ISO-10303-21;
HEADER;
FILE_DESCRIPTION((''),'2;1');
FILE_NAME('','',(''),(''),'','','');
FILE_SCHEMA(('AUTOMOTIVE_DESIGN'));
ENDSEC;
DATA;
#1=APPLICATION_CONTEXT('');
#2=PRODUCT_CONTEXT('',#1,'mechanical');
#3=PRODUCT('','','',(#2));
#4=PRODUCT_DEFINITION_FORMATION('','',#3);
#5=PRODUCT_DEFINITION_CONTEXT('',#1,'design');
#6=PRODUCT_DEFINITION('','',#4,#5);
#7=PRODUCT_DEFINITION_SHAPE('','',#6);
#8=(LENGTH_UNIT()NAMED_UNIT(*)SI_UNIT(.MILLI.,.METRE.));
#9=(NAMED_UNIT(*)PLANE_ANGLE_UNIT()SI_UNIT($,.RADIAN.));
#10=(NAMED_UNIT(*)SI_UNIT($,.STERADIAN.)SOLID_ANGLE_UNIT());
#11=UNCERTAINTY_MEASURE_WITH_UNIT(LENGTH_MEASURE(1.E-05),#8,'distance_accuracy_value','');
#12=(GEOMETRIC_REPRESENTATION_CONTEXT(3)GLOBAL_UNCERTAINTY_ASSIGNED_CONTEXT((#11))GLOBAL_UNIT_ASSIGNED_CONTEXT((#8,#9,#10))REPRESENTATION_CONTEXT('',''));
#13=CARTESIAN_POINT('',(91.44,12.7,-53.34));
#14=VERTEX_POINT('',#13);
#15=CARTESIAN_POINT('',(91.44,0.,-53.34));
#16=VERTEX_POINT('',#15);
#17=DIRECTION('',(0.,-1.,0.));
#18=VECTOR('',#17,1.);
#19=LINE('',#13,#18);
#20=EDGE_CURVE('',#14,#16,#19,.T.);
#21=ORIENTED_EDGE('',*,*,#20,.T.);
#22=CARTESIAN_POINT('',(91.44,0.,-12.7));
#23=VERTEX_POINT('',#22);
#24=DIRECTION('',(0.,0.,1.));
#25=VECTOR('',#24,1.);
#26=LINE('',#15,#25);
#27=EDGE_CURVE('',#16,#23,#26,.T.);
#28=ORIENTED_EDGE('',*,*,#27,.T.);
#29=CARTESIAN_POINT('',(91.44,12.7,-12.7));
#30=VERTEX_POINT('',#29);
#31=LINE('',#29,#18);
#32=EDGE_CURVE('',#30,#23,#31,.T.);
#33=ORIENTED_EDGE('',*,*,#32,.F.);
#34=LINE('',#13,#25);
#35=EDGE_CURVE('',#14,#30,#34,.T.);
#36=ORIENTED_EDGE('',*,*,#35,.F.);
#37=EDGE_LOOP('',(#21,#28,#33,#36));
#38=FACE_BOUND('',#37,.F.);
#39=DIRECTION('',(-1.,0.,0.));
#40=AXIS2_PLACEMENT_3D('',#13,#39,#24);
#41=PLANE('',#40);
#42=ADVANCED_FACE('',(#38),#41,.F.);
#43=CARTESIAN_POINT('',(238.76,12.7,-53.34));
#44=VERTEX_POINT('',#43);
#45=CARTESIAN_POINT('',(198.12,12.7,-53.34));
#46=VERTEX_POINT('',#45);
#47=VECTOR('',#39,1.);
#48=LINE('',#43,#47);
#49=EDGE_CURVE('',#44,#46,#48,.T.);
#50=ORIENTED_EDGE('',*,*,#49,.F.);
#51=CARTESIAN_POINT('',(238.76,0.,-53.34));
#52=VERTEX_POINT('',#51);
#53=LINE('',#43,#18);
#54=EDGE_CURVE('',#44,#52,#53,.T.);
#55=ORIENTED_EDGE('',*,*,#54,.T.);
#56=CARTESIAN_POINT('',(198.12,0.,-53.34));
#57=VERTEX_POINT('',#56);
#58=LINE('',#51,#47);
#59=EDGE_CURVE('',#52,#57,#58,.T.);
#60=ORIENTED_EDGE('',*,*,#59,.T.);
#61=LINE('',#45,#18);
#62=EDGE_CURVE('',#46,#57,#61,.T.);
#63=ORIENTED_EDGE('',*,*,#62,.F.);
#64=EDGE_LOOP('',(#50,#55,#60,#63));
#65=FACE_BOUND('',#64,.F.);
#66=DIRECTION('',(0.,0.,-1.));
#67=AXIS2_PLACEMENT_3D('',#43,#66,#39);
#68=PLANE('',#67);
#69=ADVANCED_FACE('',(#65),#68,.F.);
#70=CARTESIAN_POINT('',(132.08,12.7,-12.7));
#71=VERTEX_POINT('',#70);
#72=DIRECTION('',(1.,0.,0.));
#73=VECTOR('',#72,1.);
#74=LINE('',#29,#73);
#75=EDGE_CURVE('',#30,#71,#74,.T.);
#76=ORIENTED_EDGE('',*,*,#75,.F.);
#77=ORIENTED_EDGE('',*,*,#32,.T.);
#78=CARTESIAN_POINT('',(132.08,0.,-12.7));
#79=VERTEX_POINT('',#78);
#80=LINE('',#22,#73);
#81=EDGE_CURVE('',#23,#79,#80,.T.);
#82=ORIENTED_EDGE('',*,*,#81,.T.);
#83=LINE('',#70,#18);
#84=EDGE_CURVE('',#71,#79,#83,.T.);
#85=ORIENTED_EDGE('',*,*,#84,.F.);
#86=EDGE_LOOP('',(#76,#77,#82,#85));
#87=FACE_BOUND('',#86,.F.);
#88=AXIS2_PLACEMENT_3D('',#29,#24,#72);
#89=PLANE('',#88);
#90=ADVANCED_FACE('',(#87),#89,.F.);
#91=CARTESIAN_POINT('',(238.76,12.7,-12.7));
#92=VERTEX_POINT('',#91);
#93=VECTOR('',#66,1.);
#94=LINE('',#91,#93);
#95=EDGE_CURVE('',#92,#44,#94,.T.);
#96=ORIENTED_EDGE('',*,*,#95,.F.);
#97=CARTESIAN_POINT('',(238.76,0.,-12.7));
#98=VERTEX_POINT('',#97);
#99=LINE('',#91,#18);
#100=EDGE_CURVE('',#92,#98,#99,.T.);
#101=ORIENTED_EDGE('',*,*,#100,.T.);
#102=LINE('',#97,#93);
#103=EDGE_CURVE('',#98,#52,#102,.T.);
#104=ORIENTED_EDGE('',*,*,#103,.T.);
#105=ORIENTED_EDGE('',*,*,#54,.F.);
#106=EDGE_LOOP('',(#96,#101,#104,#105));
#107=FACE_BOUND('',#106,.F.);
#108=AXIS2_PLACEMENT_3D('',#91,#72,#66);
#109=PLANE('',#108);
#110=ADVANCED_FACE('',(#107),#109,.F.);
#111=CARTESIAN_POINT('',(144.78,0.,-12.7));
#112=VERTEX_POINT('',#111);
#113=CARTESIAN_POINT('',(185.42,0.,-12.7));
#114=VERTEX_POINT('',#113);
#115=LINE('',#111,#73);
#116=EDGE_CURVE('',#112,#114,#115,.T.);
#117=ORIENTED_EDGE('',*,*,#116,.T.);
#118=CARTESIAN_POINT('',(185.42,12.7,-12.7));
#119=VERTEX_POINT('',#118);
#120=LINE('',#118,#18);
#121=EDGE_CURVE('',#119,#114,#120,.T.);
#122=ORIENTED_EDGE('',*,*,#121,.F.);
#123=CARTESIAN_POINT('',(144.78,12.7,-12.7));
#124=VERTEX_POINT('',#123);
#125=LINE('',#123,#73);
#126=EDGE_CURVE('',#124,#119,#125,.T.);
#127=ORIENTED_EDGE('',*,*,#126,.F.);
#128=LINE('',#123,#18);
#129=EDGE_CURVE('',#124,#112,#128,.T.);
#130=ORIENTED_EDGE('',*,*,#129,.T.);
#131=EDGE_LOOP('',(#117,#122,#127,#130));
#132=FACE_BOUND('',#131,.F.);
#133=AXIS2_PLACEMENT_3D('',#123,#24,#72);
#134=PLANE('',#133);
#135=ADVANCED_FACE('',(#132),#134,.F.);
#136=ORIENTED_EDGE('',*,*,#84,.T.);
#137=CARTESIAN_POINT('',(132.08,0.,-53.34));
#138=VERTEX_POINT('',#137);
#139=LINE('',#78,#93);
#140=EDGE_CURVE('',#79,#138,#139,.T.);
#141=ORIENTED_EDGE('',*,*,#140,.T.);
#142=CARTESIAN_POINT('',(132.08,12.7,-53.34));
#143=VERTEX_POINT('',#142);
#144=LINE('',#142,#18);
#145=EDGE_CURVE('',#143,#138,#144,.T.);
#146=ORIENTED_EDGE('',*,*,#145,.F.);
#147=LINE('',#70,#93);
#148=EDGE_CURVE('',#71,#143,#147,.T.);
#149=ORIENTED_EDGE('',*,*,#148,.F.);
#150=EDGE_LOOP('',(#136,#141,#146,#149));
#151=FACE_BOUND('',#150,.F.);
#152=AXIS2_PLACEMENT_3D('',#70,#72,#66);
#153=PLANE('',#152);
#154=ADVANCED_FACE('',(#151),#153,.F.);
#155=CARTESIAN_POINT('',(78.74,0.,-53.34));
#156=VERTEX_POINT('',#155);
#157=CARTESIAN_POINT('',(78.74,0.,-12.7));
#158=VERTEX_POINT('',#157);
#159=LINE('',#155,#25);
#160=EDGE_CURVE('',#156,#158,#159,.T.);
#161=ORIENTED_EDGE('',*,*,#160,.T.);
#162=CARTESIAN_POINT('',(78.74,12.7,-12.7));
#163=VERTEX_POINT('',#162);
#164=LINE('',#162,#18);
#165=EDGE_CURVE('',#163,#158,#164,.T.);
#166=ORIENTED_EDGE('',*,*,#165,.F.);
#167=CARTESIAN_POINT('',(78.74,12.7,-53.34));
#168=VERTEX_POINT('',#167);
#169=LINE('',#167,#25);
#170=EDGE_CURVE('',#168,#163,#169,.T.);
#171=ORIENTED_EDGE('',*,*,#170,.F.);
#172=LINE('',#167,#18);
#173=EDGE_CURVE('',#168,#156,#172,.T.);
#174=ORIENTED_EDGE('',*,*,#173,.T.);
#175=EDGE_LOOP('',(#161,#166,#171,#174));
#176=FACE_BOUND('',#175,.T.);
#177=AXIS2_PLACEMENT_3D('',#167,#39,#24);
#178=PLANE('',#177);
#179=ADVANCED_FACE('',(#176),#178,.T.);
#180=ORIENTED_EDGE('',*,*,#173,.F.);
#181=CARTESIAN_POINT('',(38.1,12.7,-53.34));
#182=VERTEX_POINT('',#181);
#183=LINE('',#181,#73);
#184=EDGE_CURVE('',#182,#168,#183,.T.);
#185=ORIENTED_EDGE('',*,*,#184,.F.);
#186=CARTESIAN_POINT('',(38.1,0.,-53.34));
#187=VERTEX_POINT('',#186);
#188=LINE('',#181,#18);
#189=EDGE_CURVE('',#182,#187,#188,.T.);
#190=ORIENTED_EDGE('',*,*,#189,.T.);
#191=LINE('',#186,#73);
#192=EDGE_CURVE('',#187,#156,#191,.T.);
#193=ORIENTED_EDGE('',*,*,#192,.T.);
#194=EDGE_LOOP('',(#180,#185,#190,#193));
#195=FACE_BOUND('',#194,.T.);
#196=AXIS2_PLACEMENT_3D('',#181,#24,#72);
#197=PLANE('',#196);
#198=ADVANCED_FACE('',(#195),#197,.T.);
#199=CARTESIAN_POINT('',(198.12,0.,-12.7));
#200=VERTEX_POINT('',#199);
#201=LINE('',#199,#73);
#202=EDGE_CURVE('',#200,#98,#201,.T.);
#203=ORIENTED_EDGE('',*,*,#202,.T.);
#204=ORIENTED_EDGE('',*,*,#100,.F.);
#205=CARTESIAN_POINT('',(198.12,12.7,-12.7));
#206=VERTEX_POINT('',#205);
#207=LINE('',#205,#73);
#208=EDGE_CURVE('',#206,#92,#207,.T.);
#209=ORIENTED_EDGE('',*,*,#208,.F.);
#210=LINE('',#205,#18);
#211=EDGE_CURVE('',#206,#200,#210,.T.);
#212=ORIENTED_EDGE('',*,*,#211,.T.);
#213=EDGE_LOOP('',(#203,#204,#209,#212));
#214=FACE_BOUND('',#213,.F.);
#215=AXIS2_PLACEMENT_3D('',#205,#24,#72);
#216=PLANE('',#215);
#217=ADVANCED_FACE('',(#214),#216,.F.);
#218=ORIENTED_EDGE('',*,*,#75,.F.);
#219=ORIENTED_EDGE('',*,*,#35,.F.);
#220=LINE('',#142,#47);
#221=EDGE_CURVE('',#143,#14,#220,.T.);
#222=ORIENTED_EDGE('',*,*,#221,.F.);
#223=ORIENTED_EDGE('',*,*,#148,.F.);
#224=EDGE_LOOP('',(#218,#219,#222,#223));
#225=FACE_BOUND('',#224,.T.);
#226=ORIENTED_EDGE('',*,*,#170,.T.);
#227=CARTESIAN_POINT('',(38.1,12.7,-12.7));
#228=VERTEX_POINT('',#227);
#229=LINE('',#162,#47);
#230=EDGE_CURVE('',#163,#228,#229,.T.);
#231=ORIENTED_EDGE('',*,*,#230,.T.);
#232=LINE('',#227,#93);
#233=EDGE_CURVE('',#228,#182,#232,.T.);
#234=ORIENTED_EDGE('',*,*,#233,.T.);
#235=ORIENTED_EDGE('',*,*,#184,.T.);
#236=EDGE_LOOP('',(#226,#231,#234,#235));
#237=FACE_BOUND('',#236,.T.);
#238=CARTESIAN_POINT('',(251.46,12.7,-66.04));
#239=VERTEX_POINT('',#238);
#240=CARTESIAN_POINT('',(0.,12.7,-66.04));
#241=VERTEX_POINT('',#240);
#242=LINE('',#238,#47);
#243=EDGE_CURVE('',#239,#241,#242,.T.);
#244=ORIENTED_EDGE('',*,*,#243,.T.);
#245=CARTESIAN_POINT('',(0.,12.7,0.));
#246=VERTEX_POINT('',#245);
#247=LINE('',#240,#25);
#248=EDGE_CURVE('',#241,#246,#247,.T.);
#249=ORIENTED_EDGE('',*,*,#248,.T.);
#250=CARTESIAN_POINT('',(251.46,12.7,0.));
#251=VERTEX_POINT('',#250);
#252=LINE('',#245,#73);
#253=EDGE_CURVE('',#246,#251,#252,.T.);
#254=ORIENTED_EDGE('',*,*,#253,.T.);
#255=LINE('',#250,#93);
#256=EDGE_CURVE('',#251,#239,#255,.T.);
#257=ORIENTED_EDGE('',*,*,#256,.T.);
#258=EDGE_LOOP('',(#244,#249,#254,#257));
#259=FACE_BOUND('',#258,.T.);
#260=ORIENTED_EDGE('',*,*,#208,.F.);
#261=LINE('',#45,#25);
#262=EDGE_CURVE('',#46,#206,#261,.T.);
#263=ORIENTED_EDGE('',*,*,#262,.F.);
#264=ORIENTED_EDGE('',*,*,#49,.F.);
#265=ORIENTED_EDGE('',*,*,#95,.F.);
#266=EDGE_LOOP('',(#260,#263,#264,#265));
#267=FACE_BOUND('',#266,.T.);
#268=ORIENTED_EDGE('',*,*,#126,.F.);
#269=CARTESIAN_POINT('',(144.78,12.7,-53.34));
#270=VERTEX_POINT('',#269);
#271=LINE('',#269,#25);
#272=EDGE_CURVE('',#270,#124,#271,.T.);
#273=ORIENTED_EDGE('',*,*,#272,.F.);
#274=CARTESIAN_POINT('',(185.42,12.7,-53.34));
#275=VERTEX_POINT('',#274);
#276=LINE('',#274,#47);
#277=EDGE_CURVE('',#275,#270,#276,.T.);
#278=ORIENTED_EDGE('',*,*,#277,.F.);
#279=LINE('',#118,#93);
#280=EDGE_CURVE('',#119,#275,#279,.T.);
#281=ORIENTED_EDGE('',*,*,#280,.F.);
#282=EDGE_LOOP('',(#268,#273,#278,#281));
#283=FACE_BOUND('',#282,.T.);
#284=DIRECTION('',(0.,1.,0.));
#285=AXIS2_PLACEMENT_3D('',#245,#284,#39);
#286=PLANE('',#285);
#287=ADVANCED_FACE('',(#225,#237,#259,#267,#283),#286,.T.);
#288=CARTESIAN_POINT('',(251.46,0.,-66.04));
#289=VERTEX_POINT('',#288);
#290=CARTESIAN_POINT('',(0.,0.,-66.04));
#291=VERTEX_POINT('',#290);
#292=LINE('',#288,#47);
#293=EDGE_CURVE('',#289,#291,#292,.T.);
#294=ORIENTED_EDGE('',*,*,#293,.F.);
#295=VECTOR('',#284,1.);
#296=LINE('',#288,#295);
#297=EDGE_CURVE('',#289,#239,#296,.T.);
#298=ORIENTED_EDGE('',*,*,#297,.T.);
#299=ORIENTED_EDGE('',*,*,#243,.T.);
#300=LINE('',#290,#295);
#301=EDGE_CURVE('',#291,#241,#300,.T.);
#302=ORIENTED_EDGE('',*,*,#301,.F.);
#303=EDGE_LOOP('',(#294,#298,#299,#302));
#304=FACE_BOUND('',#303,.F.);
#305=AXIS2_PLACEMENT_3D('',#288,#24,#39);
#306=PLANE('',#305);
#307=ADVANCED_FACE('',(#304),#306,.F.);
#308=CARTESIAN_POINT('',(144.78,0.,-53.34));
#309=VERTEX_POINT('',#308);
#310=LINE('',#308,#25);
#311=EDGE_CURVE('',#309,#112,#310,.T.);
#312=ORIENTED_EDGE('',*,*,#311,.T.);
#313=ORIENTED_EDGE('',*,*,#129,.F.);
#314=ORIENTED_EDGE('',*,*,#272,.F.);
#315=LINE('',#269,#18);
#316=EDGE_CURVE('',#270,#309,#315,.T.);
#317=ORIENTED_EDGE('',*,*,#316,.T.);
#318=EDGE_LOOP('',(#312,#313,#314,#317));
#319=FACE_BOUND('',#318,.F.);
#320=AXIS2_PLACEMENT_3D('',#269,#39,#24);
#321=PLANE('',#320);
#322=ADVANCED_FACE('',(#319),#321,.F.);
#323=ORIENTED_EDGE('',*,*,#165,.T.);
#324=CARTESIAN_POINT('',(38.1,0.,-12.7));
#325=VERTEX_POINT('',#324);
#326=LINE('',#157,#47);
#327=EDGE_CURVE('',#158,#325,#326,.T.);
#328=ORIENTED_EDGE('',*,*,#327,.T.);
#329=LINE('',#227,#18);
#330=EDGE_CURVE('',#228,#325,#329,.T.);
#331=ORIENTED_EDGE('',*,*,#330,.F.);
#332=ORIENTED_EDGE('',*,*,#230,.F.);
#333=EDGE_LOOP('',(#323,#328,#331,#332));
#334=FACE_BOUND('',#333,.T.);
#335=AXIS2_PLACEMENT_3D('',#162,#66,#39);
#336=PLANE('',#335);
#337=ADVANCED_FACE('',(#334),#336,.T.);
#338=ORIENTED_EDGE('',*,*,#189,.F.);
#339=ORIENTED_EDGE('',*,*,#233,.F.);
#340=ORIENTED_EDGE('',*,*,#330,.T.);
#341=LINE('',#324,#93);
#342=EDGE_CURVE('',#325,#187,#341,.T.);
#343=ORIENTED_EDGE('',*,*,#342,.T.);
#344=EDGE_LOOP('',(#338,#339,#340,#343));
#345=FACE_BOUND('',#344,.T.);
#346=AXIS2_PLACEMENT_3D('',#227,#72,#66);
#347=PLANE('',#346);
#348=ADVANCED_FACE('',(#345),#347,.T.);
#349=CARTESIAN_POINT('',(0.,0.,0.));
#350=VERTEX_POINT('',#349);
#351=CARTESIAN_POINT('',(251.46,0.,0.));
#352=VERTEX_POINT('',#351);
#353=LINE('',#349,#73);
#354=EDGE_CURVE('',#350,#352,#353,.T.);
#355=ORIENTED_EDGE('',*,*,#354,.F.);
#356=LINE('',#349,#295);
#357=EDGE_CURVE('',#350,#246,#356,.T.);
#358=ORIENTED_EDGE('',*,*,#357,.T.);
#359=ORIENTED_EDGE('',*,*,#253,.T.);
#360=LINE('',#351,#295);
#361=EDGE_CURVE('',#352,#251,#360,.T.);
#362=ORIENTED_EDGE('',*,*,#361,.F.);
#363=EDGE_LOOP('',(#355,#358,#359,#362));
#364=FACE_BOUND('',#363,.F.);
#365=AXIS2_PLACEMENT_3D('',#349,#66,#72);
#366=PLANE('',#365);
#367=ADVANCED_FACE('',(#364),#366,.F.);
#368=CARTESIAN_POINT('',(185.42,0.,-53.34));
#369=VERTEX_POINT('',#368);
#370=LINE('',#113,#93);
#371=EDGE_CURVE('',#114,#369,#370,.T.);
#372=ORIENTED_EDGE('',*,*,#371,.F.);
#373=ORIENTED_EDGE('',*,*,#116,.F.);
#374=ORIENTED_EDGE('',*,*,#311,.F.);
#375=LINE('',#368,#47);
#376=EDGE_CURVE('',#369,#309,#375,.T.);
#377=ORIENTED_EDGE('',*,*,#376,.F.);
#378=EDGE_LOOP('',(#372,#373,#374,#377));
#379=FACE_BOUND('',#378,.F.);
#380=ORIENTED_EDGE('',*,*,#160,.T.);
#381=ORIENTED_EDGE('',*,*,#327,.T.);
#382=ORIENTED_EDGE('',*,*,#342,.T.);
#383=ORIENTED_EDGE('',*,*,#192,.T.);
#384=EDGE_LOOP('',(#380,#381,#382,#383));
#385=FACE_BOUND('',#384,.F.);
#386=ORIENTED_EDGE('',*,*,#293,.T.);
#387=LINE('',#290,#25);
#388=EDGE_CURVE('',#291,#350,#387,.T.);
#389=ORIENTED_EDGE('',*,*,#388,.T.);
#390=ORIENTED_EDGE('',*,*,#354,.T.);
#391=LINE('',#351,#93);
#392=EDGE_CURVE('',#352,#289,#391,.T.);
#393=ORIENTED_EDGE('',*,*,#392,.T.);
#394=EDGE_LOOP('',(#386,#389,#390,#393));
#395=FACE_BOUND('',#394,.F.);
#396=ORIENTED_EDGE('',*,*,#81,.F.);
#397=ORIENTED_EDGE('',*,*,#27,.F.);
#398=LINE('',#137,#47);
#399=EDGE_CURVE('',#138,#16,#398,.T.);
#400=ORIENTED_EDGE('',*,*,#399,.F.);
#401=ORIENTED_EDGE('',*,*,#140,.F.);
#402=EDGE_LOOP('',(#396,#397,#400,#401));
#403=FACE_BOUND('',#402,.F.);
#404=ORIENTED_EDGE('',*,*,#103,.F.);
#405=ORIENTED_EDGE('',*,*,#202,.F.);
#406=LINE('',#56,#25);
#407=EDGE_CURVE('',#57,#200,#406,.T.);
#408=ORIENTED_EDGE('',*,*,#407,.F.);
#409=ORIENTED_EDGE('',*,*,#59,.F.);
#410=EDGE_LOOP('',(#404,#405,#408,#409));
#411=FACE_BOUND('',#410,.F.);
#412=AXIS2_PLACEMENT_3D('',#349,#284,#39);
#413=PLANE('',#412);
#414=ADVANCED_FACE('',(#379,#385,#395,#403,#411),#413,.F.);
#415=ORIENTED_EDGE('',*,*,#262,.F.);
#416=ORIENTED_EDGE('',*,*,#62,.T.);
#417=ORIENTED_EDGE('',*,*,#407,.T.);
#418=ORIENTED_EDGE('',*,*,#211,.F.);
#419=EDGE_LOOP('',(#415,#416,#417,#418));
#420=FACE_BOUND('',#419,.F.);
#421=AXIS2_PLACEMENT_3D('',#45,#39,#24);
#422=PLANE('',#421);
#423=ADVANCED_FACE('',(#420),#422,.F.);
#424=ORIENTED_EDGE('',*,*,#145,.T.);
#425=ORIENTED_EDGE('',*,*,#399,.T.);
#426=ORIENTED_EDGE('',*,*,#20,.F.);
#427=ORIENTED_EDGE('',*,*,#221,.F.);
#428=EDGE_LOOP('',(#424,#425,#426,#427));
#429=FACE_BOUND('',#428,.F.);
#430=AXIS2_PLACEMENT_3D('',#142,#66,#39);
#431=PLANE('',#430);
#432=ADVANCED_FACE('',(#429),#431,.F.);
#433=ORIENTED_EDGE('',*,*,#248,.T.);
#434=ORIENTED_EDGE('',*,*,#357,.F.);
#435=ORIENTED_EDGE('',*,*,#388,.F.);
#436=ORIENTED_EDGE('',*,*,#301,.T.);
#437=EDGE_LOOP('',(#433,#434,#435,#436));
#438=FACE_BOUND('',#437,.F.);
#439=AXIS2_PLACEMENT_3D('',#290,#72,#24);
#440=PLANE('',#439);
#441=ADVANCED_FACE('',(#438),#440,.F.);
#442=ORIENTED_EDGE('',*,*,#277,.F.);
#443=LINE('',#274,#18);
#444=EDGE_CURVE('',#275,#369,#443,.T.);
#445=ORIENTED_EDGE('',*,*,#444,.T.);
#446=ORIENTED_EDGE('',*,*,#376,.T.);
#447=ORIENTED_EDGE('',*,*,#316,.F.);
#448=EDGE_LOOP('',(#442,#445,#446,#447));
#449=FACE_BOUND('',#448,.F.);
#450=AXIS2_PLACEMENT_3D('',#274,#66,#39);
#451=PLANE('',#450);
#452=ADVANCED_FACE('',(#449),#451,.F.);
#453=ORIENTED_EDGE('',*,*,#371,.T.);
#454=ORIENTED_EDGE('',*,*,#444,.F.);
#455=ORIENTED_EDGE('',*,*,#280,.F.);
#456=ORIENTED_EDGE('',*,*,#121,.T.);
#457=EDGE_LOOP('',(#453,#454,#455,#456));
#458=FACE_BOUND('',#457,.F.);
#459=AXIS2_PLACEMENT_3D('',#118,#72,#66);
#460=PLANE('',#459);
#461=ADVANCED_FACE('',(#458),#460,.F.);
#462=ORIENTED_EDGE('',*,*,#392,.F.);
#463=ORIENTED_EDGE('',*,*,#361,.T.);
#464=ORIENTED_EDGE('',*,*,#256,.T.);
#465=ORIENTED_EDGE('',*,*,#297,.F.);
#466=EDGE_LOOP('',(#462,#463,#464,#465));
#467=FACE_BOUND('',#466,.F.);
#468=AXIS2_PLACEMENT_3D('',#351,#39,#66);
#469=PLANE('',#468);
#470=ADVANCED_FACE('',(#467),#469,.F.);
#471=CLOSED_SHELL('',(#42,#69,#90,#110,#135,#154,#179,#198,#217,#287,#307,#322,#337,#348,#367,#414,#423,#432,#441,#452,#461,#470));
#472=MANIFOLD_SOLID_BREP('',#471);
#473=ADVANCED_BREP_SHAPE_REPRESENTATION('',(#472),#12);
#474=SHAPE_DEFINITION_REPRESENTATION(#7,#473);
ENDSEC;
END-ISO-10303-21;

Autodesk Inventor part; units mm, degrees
ref_plane "YZ Plane" through (0, 0, 0) normal (1, 0, 0) x (0, 1, 0)
ref_plane "XZ Plane" through (0, 0, 0) normal (0, 1, 0) x (-1, 0, 0)
ref_plane "XY Plane" through (0, 0, 0) normal (0, 0, 1) x (1, 0, 0)
sketch "Sketch1" plane through (0, 0, 0) normal (0, 1, 0) x (-1, 0, 0)
  line L0 (0, 0) -> (-251.46, 0)
  line L1 (-251.46, 0) -> (-251.46, -66.04)
  line L2 (-251.46, -66.04) -> (0, -66.04)
  line L3 (0, -66.04) -> (0, 0)
  dimension "d0" = 251.46
  dimension "d1" = 66.04
extrude "Extrusion1" add sketch "Sketch1" along normal blind 12.7
sketch "Sketch2" plane through (0, 12.7, 0) normal (0, 1, 0) x (1, 0, 0)
  line L0 (198.12, 12.7) -> (238.76, 12.7)
  line L1 (238.76, 12.7) -> (238.76, 53.34)
  line L2 (238.76, 53.34) -> (198.12, 53.34)
  line L3 (198.12, 53.34) -> (198.12, 12.7)
  line L4 (251.46, 66.04) -> (0, 66.04) projected
  line L5 (0, 0) -> (251.46, 0) projected
  line L6 (251.46, 0) -> (251.46, 66.04) projected
  line L7 (144.78, 12.7) -> (185.42, 12.7)
  line L8 (185.42, 12.7) -> (185.42, 53.34)
  line L9 (185.42, 53.34) -> (144.78, 53.34)
  line L10 (144.78, 53.34) -> (144.78, 12.7)
  line L11 (91.44, 12.7) -> (132.08, 12.7)
  line L12 (132.08, 12.7) -> (132.08, 53.34)
  line L13 (132.08, 53.34) -> (91.44, 53.34)
  line L14 (91.44, 53.34) -> (91.44, 12.7)
  line L15 (78.74, 12.7) -> (38.1, 12.7)
  line L16 (38.1, 12.7) -> (38.1, 53.34)
  line L17 (38.1, 53.34) -> (78.74, 53.34)
  line L18 (78.74, 53.34) -> (78.74, 12.7)
  dimension "d4" = 12.7
  dimension "d5" = 12.7
  dimension "d6" = 12.7
  dimension "d7" = 40.64
  dimension "d8" = 12.7
  dimension "d9" = 12.7
  dimension "d10" = 12.7
  dimension "d11" = 40.64
  dimension "d12" = 12.7
  dimension "d13" = 12.7
  dimension "d14" = 12.7
  dimension "d15" = 40.64
  dimension "d16" = 12.7
  dimension "d17" = 12.7
  dimension "d18" = 12.7
  dimension "d19" = 40.64
extrude "Extrusion2" cut sketch "Sketch2" against normal blind 12.7
properties part number "NewSlide"
